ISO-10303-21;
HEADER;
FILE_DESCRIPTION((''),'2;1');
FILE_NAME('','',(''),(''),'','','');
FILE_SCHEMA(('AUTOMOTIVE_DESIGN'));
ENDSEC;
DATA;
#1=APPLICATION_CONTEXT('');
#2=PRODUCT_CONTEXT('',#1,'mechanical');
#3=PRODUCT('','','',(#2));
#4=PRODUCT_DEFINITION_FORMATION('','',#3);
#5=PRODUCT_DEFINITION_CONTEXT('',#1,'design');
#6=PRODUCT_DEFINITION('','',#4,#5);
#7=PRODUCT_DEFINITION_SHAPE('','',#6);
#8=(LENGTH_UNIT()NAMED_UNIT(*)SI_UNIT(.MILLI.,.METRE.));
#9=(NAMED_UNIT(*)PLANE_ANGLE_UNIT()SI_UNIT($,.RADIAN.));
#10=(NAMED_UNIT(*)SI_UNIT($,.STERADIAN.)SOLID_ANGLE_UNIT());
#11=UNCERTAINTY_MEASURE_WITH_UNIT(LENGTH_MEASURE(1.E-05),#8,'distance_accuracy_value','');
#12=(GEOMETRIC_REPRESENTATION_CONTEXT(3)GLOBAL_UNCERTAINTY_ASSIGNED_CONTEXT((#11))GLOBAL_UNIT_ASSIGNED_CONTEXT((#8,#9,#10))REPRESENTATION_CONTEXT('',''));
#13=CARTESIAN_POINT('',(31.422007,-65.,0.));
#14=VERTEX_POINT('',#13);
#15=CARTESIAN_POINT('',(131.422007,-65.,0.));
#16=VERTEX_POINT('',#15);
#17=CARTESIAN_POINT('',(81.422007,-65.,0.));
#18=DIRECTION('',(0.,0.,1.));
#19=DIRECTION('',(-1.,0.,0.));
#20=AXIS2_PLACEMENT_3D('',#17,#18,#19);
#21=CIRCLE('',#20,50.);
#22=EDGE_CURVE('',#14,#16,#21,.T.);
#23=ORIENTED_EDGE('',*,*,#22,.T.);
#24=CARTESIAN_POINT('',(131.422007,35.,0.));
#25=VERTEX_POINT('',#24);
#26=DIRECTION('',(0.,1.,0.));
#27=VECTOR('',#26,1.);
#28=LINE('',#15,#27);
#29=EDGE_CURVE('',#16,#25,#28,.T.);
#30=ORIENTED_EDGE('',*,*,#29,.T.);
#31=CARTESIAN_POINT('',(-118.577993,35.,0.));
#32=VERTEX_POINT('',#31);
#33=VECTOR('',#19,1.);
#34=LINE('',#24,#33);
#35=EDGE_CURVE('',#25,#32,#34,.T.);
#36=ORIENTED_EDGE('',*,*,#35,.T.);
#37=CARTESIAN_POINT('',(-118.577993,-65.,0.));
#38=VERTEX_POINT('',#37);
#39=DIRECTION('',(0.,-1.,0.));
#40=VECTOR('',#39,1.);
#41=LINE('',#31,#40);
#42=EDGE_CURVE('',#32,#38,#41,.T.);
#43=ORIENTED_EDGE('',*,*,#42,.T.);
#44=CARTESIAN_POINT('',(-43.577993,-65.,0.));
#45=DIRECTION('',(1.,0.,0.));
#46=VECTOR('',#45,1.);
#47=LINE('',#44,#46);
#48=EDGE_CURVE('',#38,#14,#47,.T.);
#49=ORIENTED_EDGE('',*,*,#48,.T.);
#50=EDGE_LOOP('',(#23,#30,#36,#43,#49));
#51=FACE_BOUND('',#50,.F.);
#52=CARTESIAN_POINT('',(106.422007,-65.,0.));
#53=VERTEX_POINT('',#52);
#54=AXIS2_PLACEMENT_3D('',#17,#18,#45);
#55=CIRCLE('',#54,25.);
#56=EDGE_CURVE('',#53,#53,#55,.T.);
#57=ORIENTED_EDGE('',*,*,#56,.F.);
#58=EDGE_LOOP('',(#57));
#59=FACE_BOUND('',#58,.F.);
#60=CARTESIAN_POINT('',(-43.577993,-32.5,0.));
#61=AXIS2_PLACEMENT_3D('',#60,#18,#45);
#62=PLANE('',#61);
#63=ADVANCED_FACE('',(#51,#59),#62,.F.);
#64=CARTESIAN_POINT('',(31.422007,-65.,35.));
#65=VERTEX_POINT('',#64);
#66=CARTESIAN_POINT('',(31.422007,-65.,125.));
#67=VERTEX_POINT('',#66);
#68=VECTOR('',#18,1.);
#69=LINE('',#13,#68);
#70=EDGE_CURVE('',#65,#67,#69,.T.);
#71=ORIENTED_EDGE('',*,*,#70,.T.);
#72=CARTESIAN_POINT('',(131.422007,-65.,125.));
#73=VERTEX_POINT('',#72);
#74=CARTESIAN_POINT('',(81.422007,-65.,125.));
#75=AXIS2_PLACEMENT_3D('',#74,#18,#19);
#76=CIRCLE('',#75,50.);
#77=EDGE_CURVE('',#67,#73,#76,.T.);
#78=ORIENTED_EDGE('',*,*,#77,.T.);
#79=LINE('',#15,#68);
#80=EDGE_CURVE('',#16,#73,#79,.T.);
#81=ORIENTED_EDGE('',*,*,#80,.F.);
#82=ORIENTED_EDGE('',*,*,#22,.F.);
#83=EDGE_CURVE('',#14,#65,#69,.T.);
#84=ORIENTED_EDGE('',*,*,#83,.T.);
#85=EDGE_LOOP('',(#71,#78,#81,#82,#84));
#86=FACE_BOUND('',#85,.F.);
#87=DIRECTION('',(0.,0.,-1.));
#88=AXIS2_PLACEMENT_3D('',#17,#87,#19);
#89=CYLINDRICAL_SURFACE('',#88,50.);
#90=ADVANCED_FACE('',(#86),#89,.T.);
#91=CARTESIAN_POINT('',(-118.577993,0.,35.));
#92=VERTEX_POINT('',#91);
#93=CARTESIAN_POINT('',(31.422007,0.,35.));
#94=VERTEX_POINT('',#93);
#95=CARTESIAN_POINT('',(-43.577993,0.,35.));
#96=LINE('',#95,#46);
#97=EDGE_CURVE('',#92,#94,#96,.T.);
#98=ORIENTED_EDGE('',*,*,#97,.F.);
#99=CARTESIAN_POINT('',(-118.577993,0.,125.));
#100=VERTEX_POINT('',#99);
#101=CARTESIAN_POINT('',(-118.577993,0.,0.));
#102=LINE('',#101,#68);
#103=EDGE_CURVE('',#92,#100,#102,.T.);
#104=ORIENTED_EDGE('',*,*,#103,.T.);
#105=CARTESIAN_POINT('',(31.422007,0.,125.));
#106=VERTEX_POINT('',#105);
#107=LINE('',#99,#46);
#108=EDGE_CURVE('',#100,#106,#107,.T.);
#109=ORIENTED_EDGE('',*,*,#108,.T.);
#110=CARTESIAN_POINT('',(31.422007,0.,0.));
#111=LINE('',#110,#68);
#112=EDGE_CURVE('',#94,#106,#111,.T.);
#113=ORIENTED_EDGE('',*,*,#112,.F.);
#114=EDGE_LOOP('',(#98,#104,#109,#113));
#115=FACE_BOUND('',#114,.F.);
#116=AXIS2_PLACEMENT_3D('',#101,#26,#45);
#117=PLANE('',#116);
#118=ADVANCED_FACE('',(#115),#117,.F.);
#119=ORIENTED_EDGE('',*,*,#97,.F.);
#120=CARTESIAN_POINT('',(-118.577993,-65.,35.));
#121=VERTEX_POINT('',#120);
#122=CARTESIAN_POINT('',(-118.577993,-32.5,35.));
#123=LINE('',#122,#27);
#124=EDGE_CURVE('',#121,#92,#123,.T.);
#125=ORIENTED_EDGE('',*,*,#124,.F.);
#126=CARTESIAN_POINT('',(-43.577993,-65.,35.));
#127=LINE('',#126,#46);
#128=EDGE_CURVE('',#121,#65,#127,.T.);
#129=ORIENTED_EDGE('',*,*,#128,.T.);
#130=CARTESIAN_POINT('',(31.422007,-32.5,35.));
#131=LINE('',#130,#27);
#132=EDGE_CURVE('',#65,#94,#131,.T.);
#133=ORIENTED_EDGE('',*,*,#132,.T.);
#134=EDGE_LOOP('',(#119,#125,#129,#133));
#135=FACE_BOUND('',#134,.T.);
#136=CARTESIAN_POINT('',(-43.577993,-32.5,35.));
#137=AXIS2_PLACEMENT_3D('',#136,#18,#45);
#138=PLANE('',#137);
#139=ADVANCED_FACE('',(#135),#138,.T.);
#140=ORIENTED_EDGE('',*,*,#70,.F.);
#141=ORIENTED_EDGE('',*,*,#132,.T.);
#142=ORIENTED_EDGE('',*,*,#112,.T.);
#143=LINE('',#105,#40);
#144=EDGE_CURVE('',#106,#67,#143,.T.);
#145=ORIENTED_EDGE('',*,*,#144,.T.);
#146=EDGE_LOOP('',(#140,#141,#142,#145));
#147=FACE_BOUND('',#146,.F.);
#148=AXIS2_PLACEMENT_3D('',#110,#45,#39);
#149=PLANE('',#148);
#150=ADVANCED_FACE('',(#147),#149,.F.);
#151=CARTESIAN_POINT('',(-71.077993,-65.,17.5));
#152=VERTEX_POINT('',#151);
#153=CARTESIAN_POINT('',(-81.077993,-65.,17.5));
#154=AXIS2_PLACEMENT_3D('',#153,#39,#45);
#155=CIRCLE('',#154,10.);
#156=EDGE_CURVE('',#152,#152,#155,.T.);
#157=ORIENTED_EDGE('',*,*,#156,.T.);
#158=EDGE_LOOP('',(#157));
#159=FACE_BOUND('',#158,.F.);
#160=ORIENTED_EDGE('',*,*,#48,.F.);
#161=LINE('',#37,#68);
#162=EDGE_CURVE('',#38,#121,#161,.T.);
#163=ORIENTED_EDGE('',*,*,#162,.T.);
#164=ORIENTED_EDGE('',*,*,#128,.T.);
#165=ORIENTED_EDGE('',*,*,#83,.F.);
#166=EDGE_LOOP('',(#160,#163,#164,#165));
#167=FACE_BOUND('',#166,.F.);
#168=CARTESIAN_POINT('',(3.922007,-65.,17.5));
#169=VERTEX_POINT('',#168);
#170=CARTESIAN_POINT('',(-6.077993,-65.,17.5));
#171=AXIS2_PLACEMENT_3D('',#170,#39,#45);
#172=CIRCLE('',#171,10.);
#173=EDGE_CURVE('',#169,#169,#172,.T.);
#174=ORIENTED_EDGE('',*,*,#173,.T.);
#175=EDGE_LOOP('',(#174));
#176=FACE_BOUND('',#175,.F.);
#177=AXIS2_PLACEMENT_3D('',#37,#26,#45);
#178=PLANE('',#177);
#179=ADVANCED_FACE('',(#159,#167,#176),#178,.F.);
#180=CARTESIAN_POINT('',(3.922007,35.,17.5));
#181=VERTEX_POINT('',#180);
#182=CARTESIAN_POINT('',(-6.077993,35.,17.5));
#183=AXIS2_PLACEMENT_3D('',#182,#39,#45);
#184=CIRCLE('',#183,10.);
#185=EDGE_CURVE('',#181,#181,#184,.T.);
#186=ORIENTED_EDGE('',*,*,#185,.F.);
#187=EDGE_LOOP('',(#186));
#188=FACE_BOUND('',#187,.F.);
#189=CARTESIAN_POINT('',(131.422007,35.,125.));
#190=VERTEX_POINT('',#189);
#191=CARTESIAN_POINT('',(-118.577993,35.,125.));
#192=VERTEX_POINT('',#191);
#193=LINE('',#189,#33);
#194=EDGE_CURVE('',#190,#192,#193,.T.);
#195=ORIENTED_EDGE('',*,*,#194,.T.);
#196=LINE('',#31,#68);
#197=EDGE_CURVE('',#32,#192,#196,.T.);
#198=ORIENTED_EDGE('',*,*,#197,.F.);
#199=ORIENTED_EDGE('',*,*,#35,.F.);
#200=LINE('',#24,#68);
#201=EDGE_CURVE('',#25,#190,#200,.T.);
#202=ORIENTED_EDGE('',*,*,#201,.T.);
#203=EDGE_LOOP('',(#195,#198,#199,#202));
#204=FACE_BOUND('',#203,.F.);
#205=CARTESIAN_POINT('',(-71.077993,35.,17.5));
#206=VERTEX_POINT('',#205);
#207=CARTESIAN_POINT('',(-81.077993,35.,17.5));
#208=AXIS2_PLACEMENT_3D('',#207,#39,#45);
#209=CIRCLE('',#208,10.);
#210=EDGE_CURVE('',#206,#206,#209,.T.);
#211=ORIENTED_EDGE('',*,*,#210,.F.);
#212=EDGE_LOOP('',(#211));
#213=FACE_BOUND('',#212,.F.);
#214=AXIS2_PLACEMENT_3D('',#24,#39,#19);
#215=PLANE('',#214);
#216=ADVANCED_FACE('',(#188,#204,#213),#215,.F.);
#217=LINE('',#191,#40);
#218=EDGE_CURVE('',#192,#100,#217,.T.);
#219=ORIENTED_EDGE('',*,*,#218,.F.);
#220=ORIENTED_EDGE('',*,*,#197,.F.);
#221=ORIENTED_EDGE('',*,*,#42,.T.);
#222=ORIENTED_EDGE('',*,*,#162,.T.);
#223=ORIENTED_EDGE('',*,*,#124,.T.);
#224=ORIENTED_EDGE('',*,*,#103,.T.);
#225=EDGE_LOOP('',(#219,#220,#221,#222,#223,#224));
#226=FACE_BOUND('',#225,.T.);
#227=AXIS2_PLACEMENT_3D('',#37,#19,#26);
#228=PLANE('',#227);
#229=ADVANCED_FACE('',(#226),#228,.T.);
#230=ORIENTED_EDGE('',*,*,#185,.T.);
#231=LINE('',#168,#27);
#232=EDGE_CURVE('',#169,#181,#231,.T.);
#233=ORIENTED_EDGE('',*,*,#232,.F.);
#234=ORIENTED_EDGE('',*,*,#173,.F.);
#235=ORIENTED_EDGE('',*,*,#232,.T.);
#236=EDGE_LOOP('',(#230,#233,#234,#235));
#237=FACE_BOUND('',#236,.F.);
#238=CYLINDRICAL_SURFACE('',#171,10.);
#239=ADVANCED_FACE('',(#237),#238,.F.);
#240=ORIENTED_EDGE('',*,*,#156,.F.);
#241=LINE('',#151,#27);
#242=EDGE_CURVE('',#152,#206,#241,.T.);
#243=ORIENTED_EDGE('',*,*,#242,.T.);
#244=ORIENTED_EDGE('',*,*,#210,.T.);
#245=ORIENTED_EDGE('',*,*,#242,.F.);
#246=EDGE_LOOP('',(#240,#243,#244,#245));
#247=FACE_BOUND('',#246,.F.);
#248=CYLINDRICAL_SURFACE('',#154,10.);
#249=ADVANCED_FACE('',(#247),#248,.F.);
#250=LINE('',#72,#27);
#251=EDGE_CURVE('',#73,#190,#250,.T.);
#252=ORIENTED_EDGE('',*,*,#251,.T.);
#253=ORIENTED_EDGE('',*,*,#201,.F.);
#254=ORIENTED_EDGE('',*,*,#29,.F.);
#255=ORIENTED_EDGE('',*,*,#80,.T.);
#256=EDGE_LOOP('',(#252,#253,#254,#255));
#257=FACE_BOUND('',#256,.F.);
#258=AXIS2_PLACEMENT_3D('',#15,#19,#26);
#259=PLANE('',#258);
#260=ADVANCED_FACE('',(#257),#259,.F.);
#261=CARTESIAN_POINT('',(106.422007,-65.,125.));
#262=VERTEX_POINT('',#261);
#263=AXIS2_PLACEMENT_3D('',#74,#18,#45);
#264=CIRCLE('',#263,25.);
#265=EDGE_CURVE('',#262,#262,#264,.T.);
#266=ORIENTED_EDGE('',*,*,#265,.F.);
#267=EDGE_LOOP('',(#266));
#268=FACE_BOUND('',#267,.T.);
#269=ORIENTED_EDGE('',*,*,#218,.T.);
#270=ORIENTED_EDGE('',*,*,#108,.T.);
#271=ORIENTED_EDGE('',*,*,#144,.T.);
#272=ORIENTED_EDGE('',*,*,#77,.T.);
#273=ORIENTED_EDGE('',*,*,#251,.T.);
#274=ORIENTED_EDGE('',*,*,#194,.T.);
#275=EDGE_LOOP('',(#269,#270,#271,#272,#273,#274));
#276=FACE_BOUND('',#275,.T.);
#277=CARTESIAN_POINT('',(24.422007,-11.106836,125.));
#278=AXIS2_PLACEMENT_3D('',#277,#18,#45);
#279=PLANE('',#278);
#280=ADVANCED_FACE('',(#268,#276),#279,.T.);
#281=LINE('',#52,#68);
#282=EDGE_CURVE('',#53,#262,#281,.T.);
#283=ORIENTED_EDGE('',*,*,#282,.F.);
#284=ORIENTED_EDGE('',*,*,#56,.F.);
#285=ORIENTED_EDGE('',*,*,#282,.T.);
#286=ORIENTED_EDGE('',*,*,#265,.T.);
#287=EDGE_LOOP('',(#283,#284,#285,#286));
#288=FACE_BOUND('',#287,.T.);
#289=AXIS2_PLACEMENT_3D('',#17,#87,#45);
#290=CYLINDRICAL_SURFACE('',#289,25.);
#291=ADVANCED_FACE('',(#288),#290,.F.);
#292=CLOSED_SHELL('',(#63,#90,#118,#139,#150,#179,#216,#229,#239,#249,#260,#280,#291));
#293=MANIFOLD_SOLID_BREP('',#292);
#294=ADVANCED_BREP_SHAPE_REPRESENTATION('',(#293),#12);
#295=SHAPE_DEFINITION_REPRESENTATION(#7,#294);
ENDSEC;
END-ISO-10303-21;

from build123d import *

# Parameters (mm, degrees)
F0_R     = 25
F1_DEPTH = 125
F0_W     = 150
F0_H     = 65
F2_DEPTH = 35
F3_R     = 10
F4_DEPTH = 100.001


with BuildPart() as f1:
    # F0 (on Top) → F1 (new body)
    with BuildSketch(Plane.XY):
        with BuildLine():
            Line((131.422007, 35), (-118.577993, 35))
            Line((-118.577993, 35), (-118.577993, 0))
            Line((-118.577993, 0), (31.422007, 0))
            Line((31.422007, 0), (31.422007, -65))
            ThreePointArc((31.422007, -65), (81.422007, -115), (131.422007, -65))
            Line((131.422007, -65), (131.422007, 35))
        make_face()
        with Locations((81.422007, -65)):
            Circle(F0_R, mode=Mode.SUBTRACT)
    extrude(amount=F1_DEPTH)

    # F0 (on Top) → F2 (join)
    with BuildSketch(Plane.XY):
        with Locations((-43.577993, -32.5)):
            Rectangle(F0_W, F0_H)
    extrude(amount=F2_DEPTH)

    # F3 (on face) → F4 (cut, through all)
    with BuildSketch(Plane.XZ.offset(65)):
        with Locations((-81.077993, 17.5)):
            Circle(F3_R)
        with Locations((-6.077993, 17.5)):
            Circle(F3_R)
    extrude(amount=-F4_DEPTH, mode=Mode.SUBTRACT)


solid = f1.part
